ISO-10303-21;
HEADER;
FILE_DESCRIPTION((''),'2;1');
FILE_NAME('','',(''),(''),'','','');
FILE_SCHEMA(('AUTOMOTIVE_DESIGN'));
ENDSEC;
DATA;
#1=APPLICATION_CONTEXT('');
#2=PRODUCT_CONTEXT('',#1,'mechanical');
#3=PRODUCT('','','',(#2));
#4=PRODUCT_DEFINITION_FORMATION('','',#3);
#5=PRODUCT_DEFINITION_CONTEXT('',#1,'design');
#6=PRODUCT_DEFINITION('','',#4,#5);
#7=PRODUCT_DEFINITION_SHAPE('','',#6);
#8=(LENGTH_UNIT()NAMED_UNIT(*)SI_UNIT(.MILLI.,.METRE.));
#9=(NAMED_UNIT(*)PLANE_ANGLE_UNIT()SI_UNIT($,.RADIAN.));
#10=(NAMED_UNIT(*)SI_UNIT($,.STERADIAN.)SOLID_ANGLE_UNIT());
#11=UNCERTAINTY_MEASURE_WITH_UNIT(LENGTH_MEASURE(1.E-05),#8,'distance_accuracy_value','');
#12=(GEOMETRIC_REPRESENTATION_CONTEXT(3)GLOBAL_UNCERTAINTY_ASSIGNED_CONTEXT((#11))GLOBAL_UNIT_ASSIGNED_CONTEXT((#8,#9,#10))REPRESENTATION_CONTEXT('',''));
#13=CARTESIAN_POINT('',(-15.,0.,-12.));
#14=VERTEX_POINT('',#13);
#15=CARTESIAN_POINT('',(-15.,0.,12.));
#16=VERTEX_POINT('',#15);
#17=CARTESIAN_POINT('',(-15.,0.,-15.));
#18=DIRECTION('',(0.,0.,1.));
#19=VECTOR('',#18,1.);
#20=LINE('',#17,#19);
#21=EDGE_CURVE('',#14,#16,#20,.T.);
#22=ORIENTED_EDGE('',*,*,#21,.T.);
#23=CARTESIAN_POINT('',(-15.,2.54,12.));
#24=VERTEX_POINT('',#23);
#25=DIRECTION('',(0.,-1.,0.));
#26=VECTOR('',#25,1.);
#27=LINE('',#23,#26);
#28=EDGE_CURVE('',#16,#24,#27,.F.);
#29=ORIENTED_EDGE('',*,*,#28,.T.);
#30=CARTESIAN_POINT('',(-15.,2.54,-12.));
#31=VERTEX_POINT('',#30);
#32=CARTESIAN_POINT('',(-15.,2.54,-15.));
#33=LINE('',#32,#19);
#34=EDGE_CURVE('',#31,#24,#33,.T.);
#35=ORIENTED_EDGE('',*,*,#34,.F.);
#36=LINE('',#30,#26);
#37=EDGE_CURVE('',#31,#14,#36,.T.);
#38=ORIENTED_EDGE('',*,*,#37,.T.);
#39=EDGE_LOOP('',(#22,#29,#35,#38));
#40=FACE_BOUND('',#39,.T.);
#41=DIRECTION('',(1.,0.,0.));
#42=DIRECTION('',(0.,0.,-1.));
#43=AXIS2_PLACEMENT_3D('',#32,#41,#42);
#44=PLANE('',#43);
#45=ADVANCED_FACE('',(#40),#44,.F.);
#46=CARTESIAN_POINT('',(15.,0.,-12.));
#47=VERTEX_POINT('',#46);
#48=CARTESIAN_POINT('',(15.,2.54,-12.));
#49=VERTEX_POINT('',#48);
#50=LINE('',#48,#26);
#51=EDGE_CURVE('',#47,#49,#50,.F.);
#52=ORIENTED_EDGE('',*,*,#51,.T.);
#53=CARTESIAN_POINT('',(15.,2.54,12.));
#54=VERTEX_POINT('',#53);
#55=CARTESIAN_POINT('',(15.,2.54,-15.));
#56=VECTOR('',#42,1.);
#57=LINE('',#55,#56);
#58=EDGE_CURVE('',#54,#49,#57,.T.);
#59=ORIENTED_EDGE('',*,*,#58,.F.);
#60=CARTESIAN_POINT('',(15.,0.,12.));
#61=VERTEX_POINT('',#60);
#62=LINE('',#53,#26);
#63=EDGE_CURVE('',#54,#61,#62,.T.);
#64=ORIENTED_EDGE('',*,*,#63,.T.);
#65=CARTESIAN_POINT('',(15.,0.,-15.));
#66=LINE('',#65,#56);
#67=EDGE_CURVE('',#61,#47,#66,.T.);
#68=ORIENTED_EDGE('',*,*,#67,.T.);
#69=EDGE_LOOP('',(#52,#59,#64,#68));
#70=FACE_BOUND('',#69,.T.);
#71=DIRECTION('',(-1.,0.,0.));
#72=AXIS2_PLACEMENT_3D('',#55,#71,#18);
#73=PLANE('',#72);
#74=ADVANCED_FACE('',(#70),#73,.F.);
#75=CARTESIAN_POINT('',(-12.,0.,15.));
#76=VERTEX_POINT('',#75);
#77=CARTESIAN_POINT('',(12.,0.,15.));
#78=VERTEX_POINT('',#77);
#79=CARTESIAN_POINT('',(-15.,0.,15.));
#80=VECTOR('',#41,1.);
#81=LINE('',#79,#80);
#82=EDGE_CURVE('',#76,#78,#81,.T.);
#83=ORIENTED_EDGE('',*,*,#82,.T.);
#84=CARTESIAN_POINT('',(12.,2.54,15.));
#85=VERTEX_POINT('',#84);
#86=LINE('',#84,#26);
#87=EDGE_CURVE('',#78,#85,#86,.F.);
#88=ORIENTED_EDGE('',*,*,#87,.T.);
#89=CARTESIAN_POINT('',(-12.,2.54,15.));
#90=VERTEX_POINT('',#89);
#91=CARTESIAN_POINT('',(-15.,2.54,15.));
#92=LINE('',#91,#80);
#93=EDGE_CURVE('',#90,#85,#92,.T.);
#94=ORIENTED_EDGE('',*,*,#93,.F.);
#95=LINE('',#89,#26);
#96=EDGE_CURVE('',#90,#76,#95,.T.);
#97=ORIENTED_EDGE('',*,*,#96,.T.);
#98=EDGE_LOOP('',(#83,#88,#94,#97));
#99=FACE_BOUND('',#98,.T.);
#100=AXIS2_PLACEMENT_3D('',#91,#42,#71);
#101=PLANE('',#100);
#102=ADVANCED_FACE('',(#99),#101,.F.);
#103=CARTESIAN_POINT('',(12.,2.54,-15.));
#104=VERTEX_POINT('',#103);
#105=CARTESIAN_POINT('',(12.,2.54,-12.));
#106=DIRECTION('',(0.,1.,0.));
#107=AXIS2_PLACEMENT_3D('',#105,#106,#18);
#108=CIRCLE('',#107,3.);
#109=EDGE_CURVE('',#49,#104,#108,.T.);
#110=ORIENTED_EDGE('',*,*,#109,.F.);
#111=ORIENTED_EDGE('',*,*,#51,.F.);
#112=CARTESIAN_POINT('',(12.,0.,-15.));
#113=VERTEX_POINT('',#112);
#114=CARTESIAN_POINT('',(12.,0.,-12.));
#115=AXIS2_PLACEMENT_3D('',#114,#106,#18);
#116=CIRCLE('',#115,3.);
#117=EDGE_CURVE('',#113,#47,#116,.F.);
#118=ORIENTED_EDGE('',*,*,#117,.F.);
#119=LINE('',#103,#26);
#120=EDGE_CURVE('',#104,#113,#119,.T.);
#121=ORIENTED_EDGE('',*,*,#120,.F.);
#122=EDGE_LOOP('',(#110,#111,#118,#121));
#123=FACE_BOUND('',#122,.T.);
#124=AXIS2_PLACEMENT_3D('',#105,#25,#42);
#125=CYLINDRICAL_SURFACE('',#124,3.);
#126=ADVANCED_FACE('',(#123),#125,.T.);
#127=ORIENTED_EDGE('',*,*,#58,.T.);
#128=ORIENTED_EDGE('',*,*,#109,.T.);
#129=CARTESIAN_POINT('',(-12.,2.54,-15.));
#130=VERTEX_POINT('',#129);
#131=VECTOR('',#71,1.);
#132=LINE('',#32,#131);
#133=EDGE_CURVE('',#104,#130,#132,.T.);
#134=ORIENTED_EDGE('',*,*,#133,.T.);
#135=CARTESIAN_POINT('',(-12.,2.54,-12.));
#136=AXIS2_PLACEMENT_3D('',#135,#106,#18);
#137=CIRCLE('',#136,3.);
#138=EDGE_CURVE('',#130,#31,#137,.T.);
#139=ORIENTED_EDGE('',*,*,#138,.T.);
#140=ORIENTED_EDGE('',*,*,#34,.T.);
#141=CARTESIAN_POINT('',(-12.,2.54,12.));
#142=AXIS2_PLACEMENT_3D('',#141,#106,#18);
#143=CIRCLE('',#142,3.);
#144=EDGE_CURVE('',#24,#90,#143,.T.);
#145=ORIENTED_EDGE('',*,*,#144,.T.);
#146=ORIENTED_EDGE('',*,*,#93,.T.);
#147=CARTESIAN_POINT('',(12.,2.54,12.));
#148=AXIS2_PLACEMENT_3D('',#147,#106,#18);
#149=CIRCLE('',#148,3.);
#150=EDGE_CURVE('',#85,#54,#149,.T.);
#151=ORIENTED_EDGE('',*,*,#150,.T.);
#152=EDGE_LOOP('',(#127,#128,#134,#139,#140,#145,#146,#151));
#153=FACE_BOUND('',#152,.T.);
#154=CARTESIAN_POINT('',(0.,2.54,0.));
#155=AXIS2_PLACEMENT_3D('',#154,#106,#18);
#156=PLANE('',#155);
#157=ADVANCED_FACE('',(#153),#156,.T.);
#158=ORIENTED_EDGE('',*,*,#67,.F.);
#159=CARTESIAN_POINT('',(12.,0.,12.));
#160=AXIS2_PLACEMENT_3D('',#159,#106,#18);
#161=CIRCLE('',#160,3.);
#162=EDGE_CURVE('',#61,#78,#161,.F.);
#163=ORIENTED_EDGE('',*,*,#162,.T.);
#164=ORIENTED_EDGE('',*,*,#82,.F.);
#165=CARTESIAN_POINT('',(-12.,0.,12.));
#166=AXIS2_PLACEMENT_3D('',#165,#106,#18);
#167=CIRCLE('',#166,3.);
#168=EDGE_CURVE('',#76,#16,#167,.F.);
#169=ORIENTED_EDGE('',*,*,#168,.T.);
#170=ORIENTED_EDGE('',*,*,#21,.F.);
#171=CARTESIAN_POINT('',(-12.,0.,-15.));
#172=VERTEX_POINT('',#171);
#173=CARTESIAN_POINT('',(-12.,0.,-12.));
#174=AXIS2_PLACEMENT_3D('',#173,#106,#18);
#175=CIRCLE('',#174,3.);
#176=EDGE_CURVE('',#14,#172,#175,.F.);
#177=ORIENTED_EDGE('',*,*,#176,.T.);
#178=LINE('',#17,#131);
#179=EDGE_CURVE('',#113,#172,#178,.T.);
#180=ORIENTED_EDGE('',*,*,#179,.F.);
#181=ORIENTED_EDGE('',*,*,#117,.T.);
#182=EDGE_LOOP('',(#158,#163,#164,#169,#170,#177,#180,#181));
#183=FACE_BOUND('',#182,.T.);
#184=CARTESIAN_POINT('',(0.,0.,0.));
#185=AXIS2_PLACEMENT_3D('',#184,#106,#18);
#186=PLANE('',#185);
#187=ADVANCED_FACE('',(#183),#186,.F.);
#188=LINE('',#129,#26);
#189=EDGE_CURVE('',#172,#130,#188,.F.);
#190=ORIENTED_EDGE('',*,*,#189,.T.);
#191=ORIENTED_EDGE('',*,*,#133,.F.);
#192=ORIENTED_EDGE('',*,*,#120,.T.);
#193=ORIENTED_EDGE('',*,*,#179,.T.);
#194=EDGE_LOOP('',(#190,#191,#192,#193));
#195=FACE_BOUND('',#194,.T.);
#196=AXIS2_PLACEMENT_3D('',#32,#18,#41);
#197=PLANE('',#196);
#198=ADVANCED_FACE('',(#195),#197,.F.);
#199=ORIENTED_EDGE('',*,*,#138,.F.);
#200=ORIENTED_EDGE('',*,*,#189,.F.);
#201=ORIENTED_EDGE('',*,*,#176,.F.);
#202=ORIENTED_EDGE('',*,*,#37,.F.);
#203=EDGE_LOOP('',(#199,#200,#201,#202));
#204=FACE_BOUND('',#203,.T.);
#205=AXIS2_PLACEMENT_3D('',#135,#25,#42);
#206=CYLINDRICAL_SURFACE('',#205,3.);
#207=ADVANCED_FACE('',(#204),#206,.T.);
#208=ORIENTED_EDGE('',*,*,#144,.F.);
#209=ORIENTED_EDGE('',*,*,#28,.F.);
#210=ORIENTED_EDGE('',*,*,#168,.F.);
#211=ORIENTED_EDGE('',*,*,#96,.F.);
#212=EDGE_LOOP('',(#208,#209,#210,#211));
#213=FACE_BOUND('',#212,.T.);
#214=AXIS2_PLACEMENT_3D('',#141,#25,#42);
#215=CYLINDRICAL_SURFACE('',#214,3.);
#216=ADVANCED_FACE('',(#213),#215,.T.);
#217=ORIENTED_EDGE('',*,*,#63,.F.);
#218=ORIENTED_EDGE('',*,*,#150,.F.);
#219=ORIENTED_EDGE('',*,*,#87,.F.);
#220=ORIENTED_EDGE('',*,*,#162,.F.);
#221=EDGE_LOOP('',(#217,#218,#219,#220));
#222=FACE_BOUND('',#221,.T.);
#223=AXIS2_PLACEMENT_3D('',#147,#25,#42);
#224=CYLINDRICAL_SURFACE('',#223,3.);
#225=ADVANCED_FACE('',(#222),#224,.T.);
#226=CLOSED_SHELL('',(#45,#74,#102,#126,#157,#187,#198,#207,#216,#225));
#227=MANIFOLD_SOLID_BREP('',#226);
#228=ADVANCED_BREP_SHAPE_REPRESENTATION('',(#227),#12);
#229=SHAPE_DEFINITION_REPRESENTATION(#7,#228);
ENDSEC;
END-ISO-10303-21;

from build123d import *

# Parameters (mm, degrees)
SKETCH1_W           = 30
SKETCH1_H           = 30
BOSS_EXTRUDE1_DEPTH = 2.54
FILLET1_R           = 3


with BuildPart() as part:
    # Sketch1 → Boss-Extrude1 (new body)
    with BuildSketch(Plane(origin=(0, 0, 0), x_dir=(1, 0, 0), z_dir=(0, 1, 0))):
        Rectangle(SKETCH1_W, SKETCH1_H)
    extrude(amount=BOSS_EXTRUDE1_DEPTH)

    # Fillet1
    fillet1_edges = [part.edges().sort_by_distance(p)[0] for p in [
        (15, 1.27, 15),
        (-15, 1.27, 15),
        (-15, 1.27, -15),
        (15, 1.27, -15),
    ]]
    fillet(fillet1_edges, radius=FILLET1_R)


solid = part.part
